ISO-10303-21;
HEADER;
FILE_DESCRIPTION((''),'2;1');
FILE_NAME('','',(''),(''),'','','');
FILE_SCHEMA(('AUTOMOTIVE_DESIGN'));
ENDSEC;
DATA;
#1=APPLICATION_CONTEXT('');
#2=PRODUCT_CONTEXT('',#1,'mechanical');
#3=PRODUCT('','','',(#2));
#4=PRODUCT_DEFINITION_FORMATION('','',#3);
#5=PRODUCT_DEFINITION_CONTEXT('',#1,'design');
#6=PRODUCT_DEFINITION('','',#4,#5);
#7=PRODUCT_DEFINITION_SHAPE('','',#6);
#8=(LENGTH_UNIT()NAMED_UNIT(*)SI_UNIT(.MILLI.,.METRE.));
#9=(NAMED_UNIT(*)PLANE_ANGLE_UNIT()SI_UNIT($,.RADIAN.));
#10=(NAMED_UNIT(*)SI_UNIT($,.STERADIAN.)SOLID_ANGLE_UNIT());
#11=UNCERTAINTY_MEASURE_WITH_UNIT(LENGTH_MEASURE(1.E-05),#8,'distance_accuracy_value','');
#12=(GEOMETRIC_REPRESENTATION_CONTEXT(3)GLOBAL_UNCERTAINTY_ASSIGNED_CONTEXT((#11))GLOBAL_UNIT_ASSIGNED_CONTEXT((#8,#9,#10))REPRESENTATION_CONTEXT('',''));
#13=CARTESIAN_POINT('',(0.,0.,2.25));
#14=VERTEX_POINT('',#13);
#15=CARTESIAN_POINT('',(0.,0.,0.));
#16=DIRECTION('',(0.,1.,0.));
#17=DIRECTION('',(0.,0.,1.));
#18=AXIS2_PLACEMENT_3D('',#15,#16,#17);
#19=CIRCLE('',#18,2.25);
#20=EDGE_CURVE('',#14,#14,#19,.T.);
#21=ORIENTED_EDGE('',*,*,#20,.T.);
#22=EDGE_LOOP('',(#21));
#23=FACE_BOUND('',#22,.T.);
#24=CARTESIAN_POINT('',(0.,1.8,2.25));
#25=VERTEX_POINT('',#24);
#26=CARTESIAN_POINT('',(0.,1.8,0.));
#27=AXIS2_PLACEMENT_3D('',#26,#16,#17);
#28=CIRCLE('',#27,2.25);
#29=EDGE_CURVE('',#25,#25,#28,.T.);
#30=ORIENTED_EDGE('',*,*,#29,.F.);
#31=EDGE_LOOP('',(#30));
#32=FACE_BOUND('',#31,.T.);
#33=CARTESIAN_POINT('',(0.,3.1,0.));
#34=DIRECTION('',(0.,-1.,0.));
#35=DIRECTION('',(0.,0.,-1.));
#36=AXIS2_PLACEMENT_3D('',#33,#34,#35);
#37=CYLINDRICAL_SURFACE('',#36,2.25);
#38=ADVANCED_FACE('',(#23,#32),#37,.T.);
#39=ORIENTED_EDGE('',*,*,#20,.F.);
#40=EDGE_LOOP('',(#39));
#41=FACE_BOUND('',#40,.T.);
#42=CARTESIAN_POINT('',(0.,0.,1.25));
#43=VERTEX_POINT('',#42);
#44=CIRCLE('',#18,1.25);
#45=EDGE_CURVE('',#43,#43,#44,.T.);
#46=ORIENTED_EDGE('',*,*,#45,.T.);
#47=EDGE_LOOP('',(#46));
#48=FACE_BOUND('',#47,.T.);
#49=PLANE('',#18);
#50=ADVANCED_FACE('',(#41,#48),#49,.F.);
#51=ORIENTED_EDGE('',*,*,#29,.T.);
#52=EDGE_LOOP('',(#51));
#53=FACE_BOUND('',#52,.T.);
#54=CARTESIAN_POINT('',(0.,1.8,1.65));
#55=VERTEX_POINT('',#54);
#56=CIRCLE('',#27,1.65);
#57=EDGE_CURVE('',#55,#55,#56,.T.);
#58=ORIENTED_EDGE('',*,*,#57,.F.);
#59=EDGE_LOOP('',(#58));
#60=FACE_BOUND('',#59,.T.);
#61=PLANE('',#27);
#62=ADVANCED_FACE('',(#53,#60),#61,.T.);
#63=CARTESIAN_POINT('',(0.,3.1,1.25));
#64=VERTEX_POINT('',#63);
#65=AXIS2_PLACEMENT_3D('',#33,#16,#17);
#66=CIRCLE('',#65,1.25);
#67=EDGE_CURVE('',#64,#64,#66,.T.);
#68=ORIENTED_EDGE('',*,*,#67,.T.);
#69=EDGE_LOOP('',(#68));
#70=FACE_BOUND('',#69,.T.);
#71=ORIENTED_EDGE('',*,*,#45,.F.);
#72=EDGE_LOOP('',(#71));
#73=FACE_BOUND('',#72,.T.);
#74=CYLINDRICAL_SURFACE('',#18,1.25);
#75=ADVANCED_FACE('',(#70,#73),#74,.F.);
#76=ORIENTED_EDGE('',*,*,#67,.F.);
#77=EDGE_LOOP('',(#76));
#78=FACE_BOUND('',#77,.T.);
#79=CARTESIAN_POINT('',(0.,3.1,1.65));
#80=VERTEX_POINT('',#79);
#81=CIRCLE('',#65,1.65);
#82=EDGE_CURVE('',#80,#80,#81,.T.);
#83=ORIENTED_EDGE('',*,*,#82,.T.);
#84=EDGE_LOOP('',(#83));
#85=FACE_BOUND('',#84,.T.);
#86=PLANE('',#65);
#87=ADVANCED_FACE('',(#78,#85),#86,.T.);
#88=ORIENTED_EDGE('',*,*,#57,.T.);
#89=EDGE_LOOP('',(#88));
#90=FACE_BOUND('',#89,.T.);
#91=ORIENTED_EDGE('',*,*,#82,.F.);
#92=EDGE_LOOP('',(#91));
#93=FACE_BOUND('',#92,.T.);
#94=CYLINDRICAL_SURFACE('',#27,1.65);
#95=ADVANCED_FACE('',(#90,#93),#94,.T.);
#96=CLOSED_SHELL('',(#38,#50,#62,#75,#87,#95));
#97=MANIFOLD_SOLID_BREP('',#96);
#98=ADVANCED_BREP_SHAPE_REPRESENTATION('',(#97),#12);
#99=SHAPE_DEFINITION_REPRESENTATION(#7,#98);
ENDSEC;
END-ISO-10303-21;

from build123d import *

# Parameters (mm, degrees)
SKETCH1_R           = 2.25
BOSS_EXTRUDE1_DEPTH = 3.1
SKETCH2_OUTSIDE_W   = 7.916
SKETCH2_OUTSIDE_H   = 7.916
SKETCH2_OUTSIDE_R   = 1.65
CUT_EXTRUDE1_DEPTH  = 1.3
SKETCH3_R           = 1.25
CUT_EXTRUDE2_DEPTH  = 4.1


with BuildPart() as part:
    # Sketch1 → Boss-Extrude1 (new body)
    with BuildSketch(Plane(origin=(0, 0, 0), x_dir=(1, 0, 0), z_dir=(0, 1, 0))):
        Circle(SKETCH1_R)
    extrude(amount=BOSS_EXTRUDE1_DEPTH)

    # Sketch2 outside → Cut-Extrude1 (cut)
    with BuildSketch(Plane(origin=(0, 3.1, 0), x_dir=(1, 0, 0), z_dir=(0, 1, 0))):
        Rectangle(SKETCH2_OUTSIDE_W, SKETCH2_OUTSIDE_H)
        Circle(SKETCH2_OUTSIDE_R, mode=Mode.SUBTRACT)
    extrude(amount=-CUT_EXTRUDE1_DEPTH, mode=Mode.SUBTRACT)

    # Sketch3 → Cut-Extrude2 (cut, through all)
    with BuildSketch(Plane(origin=(0, 3.1, 0), x_dir=(1, 0, 0), z_dir=(0, 1, 0))):
        Circle(SKETCH3_R)
    extrude(amount=-CUT_EXTRUDE2_DEPTH, mode=Mode.SUBTRACT)


solid = part.part
